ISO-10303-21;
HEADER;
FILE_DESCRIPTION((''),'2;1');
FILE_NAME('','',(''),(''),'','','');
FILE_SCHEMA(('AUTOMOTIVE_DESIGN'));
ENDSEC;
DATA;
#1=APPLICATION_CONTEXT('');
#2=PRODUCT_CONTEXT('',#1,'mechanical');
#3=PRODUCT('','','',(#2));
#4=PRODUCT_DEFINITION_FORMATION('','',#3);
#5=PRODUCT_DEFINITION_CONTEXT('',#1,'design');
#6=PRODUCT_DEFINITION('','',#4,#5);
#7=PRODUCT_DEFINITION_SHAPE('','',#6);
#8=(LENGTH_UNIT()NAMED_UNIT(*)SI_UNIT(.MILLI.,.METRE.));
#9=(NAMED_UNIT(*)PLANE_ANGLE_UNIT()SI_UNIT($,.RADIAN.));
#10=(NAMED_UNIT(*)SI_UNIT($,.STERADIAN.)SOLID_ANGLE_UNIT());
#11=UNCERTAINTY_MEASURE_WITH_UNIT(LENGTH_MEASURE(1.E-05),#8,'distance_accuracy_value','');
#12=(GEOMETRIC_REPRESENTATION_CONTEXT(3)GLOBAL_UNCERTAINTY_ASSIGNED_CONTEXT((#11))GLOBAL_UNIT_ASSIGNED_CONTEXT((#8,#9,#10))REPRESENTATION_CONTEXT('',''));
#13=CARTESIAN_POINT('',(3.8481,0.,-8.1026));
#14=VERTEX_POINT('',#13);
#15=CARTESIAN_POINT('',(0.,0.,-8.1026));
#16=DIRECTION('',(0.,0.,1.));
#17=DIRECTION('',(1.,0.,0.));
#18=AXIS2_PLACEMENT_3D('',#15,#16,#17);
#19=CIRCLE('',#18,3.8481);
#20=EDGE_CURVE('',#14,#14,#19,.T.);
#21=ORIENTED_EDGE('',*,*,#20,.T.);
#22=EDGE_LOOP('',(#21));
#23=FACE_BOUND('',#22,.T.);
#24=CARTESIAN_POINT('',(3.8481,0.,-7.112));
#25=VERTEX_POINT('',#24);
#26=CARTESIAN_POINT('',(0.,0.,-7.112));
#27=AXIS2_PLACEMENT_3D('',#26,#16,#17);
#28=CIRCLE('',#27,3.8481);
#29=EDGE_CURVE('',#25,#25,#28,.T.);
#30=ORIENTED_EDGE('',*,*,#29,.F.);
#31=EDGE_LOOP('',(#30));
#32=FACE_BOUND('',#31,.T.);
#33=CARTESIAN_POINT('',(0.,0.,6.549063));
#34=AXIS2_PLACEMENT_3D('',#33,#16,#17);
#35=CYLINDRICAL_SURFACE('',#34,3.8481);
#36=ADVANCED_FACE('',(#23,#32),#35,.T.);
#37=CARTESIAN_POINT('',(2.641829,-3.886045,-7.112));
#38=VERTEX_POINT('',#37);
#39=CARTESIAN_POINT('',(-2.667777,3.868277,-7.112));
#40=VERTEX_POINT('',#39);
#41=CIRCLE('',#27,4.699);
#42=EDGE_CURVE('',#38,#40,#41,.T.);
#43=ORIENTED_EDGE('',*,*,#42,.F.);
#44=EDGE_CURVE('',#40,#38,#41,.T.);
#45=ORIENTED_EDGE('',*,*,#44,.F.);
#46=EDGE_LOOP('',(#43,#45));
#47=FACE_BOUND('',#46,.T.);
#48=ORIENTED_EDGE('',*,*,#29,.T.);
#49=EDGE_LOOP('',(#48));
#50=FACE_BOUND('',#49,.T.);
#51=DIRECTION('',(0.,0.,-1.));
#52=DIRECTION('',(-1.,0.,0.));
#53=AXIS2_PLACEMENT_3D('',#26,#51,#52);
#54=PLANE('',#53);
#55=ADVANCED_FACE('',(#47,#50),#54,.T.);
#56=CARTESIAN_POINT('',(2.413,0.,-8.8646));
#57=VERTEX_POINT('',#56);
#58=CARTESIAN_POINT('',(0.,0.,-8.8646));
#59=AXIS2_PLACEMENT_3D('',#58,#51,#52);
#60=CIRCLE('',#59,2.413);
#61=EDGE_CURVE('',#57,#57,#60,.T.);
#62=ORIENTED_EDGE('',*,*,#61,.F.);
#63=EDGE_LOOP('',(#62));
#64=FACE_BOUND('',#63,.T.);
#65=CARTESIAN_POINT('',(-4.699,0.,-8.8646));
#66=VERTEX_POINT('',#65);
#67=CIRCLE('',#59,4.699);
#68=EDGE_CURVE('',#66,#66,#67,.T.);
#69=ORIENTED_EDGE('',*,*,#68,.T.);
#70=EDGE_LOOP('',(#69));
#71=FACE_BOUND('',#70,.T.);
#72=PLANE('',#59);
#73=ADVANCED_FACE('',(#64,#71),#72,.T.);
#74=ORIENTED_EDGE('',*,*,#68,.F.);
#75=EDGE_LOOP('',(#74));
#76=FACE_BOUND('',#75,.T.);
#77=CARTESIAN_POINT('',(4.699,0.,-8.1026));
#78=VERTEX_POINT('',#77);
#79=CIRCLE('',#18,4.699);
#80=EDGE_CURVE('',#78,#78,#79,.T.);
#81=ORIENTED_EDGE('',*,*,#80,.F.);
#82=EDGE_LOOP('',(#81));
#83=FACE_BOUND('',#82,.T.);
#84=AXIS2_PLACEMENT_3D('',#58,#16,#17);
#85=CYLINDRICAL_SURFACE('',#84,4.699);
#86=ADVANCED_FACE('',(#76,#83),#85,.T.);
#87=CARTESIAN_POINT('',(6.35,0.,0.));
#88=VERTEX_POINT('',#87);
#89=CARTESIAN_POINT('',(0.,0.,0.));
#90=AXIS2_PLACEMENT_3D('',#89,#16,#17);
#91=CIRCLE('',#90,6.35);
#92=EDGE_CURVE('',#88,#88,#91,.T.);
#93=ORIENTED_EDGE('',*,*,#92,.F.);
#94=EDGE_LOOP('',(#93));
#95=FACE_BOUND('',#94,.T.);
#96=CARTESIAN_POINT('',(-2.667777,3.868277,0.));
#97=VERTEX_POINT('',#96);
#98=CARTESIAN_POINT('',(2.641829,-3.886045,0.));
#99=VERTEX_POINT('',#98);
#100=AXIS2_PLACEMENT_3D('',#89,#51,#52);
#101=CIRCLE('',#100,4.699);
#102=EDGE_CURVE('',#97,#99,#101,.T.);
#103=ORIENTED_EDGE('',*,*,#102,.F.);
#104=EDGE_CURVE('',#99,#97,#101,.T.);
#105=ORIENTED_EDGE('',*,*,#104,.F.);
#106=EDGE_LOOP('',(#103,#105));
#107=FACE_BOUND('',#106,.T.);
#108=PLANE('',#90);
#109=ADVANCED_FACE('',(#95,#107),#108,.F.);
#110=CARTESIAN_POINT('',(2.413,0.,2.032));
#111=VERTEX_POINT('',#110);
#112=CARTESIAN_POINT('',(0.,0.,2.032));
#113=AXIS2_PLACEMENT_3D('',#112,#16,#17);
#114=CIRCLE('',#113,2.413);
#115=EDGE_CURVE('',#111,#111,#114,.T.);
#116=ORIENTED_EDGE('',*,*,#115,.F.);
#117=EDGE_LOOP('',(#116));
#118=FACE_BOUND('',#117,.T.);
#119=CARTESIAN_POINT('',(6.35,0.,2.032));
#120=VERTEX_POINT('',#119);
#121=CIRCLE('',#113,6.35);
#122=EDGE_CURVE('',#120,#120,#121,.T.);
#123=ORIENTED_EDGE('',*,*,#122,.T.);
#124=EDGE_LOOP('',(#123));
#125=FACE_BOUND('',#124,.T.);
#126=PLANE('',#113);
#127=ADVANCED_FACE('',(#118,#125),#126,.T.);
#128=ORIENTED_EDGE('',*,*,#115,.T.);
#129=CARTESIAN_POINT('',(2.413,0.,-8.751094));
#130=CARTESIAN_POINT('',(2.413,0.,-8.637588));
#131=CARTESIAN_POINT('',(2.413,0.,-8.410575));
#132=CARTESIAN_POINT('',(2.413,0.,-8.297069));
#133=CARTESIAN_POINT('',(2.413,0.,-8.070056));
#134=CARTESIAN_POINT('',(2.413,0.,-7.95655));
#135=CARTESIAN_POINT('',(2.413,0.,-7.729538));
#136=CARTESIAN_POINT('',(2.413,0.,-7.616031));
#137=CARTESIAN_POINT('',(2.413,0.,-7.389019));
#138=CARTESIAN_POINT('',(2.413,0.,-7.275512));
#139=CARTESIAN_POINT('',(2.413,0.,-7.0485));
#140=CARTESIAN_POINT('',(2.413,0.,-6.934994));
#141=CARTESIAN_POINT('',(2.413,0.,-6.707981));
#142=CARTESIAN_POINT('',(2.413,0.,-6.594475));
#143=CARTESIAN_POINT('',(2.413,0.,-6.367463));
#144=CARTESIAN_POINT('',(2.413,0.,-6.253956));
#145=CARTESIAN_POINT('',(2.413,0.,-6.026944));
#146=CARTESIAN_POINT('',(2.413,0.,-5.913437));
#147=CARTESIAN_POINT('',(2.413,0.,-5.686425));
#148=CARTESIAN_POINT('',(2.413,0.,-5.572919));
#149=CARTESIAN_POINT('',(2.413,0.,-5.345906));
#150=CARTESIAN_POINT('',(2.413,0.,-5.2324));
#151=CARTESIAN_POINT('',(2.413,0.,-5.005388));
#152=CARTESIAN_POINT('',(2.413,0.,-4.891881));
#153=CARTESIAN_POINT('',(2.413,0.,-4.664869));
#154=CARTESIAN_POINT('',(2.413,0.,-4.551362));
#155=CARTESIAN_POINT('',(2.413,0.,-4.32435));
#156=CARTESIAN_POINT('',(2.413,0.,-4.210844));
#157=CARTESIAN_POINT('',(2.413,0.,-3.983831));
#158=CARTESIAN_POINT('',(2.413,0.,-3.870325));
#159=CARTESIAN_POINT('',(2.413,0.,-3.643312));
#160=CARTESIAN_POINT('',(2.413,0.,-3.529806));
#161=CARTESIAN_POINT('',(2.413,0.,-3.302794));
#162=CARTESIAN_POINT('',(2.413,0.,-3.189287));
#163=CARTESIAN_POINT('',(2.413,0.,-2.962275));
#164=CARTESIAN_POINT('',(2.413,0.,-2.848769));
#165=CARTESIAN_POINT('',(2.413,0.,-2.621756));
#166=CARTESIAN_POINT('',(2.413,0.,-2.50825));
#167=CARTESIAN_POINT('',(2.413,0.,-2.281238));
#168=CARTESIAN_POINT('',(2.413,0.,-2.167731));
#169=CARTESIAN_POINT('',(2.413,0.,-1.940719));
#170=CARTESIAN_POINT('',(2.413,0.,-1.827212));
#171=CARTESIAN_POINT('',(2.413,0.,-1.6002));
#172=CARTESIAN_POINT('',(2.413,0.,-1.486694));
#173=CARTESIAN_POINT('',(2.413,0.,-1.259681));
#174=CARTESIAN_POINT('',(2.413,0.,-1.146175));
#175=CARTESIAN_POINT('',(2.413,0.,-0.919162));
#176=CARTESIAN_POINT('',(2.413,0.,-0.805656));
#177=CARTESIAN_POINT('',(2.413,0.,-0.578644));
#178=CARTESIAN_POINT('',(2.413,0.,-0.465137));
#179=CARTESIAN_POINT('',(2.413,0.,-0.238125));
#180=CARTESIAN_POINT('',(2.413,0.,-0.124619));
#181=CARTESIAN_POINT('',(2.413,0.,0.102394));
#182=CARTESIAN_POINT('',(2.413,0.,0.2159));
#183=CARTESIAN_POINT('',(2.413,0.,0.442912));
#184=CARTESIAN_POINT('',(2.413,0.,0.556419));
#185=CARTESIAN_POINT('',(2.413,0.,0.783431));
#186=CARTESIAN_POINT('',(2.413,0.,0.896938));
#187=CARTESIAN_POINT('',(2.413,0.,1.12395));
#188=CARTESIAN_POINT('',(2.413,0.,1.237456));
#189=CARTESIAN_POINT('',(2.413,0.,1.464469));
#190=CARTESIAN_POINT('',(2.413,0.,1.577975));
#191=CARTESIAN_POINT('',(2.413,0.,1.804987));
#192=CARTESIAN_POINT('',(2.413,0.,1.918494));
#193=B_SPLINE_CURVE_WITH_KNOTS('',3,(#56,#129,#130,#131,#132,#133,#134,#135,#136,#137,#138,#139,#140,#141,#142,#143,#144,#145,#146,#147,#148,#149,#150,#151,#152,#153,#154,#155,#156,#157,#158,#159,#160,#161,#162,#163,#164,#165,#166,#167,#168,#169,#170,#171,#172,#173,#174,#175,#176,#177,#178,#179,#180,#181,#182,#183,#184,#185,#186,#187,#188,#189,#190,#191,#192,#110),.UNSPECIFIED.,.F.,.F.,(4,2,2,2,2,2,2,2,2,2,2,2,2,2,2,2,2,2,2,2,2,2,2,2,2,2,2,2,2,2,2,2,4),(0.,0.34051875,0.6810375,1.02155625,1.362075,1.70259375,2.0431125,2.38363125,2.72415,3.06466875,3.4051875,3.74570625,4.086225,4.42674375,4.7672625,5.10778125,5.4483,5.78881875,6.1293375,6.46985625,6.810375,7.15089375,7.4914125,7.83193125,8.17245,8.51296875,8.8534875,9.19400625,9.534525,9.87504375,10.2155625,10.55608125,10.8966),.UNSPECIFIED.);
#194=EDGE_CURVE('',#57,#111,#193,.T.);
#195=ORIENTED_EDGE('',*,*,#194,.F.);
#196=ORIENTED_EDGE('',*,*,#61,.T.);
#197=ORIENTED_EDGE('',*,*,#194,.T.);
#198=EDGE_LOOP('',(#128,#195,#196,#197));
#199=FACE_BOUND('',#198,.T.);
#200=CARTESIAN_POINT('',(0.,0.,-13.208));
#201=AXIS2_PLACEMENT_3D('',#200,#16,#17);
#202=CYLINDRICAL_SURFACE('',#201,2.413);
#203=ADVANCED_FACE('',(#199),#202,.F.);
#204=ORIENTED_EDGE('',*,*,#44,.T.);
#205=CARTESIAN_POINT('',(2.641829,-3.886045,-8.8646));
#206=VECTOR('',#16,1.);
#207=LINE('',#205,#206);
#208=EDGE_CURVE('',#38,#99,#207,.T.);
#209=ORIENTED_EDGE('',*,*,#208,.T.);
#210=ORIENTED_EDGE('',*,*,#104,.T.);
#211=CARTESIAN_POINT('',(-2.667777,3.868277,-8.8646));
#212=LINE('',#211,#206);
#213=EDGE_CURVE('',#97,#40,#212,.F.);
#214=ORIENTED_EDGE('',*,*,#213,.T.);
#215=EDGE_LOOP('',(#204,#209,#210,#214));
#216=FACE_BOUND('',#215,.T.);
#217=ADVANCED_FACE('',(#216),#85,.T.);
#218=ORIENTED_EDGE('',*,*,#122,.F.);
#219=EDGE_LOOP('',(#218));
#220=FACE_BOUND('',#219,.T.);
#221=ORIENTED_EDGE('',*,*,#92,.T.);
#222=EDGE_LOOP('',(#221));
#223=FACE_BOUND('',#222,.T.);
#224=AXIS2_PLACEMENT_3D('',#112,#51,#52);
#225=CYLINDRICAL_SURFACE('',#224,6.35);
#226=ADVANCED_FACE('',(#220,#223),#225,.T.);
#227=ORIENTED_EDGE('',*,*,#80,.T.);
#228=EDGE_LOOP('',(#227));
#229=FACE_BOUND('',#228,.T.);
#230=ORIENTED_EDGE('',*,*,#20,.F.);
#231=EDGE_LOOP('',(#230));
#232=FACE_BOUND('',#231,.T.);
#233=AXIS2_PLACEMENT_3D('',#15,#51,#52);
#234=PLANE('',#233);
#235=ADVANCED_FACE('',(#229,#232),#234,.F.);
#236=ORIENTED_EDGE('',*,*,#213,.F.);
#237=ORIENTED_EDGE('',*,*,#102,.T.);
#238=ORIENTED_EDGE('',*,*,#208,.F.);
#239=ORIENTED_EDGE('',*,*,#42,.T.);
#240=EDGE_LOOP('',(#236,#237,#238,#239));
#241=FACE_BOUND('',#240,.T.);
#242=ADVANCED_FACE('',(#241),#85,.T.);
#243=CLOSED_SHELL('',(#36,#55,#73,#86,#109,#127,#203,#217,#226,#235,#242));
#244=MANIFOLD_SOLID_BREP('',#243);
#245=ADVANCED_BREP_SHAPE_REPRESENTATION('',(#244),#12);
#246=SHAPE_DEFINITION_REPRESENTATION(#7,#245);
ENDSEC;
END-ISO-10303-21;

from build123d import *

# Parameters (mm, degrees)
SKETCH1_R           = 6.35
BOSS_EXTRUDE1_DEPTH = 2.032
SKETCH2_R           = 4.699
BOSS_EXTRUDE2_DEPTH = 8.8646
SKETCH4_W           = 0.9906
SKETCH4_H           = 0.8509
SKETCH8_R           = 2.413
CUT_EXTRUDE2_DEPTH  = 15.24


with BuildPart() as part:
    # Sketch1 → Boss-Extrude1 (new body)
    with BuildSketch(Plane.XY):
        Circle(SKETCH1_R)
    extrude(amount=BOSS_EXTRUDE1_DEPTH)

    # Sketch2 → Boss-Extrude2 (add)
    with BuildSketch(Plane(origin=(0, 0, 0), x_dir=(-1, 0, 0), z_dir=(0, 0, -1))):
        Circle(SKETCH2_R)
    extrude(amount=BOSS_EXTRUDE2_DEPTH)

    # Sketch4 → Cut-Revolve1 (revolve, cut)
    with BuildSketch(Plane(origin=(0, 0, 0), x_dir=(0, 0, -1), z_dir=(1, 0, 0)), mode=Mode.PRIVATE) as cut_revolve1_sk:
        with Locations((7.6073, 4.27355)):
            Rectangle(SKETCH4_W, SKETCH4_H)
    revolve(cut_revolve1_sk.sketch.rotate(Axis((0, 0, 6.549062663), (0, 0, -1)), 90), axis=Axis((0, 0, 6.549062663), (0, 0, -1)), mode=Mode.SUBTRACT)

    # Sketch8 → Cut-Extrude2 (cut)
    with BuildSketch(Plane.XY.offset(2.032)):
        Circle(SKETCH8_R)
    extrude(amount=-CUT_EXTRUDE2_DEPTH, mode=Mode.SUBTRACT)


solid = part.part
